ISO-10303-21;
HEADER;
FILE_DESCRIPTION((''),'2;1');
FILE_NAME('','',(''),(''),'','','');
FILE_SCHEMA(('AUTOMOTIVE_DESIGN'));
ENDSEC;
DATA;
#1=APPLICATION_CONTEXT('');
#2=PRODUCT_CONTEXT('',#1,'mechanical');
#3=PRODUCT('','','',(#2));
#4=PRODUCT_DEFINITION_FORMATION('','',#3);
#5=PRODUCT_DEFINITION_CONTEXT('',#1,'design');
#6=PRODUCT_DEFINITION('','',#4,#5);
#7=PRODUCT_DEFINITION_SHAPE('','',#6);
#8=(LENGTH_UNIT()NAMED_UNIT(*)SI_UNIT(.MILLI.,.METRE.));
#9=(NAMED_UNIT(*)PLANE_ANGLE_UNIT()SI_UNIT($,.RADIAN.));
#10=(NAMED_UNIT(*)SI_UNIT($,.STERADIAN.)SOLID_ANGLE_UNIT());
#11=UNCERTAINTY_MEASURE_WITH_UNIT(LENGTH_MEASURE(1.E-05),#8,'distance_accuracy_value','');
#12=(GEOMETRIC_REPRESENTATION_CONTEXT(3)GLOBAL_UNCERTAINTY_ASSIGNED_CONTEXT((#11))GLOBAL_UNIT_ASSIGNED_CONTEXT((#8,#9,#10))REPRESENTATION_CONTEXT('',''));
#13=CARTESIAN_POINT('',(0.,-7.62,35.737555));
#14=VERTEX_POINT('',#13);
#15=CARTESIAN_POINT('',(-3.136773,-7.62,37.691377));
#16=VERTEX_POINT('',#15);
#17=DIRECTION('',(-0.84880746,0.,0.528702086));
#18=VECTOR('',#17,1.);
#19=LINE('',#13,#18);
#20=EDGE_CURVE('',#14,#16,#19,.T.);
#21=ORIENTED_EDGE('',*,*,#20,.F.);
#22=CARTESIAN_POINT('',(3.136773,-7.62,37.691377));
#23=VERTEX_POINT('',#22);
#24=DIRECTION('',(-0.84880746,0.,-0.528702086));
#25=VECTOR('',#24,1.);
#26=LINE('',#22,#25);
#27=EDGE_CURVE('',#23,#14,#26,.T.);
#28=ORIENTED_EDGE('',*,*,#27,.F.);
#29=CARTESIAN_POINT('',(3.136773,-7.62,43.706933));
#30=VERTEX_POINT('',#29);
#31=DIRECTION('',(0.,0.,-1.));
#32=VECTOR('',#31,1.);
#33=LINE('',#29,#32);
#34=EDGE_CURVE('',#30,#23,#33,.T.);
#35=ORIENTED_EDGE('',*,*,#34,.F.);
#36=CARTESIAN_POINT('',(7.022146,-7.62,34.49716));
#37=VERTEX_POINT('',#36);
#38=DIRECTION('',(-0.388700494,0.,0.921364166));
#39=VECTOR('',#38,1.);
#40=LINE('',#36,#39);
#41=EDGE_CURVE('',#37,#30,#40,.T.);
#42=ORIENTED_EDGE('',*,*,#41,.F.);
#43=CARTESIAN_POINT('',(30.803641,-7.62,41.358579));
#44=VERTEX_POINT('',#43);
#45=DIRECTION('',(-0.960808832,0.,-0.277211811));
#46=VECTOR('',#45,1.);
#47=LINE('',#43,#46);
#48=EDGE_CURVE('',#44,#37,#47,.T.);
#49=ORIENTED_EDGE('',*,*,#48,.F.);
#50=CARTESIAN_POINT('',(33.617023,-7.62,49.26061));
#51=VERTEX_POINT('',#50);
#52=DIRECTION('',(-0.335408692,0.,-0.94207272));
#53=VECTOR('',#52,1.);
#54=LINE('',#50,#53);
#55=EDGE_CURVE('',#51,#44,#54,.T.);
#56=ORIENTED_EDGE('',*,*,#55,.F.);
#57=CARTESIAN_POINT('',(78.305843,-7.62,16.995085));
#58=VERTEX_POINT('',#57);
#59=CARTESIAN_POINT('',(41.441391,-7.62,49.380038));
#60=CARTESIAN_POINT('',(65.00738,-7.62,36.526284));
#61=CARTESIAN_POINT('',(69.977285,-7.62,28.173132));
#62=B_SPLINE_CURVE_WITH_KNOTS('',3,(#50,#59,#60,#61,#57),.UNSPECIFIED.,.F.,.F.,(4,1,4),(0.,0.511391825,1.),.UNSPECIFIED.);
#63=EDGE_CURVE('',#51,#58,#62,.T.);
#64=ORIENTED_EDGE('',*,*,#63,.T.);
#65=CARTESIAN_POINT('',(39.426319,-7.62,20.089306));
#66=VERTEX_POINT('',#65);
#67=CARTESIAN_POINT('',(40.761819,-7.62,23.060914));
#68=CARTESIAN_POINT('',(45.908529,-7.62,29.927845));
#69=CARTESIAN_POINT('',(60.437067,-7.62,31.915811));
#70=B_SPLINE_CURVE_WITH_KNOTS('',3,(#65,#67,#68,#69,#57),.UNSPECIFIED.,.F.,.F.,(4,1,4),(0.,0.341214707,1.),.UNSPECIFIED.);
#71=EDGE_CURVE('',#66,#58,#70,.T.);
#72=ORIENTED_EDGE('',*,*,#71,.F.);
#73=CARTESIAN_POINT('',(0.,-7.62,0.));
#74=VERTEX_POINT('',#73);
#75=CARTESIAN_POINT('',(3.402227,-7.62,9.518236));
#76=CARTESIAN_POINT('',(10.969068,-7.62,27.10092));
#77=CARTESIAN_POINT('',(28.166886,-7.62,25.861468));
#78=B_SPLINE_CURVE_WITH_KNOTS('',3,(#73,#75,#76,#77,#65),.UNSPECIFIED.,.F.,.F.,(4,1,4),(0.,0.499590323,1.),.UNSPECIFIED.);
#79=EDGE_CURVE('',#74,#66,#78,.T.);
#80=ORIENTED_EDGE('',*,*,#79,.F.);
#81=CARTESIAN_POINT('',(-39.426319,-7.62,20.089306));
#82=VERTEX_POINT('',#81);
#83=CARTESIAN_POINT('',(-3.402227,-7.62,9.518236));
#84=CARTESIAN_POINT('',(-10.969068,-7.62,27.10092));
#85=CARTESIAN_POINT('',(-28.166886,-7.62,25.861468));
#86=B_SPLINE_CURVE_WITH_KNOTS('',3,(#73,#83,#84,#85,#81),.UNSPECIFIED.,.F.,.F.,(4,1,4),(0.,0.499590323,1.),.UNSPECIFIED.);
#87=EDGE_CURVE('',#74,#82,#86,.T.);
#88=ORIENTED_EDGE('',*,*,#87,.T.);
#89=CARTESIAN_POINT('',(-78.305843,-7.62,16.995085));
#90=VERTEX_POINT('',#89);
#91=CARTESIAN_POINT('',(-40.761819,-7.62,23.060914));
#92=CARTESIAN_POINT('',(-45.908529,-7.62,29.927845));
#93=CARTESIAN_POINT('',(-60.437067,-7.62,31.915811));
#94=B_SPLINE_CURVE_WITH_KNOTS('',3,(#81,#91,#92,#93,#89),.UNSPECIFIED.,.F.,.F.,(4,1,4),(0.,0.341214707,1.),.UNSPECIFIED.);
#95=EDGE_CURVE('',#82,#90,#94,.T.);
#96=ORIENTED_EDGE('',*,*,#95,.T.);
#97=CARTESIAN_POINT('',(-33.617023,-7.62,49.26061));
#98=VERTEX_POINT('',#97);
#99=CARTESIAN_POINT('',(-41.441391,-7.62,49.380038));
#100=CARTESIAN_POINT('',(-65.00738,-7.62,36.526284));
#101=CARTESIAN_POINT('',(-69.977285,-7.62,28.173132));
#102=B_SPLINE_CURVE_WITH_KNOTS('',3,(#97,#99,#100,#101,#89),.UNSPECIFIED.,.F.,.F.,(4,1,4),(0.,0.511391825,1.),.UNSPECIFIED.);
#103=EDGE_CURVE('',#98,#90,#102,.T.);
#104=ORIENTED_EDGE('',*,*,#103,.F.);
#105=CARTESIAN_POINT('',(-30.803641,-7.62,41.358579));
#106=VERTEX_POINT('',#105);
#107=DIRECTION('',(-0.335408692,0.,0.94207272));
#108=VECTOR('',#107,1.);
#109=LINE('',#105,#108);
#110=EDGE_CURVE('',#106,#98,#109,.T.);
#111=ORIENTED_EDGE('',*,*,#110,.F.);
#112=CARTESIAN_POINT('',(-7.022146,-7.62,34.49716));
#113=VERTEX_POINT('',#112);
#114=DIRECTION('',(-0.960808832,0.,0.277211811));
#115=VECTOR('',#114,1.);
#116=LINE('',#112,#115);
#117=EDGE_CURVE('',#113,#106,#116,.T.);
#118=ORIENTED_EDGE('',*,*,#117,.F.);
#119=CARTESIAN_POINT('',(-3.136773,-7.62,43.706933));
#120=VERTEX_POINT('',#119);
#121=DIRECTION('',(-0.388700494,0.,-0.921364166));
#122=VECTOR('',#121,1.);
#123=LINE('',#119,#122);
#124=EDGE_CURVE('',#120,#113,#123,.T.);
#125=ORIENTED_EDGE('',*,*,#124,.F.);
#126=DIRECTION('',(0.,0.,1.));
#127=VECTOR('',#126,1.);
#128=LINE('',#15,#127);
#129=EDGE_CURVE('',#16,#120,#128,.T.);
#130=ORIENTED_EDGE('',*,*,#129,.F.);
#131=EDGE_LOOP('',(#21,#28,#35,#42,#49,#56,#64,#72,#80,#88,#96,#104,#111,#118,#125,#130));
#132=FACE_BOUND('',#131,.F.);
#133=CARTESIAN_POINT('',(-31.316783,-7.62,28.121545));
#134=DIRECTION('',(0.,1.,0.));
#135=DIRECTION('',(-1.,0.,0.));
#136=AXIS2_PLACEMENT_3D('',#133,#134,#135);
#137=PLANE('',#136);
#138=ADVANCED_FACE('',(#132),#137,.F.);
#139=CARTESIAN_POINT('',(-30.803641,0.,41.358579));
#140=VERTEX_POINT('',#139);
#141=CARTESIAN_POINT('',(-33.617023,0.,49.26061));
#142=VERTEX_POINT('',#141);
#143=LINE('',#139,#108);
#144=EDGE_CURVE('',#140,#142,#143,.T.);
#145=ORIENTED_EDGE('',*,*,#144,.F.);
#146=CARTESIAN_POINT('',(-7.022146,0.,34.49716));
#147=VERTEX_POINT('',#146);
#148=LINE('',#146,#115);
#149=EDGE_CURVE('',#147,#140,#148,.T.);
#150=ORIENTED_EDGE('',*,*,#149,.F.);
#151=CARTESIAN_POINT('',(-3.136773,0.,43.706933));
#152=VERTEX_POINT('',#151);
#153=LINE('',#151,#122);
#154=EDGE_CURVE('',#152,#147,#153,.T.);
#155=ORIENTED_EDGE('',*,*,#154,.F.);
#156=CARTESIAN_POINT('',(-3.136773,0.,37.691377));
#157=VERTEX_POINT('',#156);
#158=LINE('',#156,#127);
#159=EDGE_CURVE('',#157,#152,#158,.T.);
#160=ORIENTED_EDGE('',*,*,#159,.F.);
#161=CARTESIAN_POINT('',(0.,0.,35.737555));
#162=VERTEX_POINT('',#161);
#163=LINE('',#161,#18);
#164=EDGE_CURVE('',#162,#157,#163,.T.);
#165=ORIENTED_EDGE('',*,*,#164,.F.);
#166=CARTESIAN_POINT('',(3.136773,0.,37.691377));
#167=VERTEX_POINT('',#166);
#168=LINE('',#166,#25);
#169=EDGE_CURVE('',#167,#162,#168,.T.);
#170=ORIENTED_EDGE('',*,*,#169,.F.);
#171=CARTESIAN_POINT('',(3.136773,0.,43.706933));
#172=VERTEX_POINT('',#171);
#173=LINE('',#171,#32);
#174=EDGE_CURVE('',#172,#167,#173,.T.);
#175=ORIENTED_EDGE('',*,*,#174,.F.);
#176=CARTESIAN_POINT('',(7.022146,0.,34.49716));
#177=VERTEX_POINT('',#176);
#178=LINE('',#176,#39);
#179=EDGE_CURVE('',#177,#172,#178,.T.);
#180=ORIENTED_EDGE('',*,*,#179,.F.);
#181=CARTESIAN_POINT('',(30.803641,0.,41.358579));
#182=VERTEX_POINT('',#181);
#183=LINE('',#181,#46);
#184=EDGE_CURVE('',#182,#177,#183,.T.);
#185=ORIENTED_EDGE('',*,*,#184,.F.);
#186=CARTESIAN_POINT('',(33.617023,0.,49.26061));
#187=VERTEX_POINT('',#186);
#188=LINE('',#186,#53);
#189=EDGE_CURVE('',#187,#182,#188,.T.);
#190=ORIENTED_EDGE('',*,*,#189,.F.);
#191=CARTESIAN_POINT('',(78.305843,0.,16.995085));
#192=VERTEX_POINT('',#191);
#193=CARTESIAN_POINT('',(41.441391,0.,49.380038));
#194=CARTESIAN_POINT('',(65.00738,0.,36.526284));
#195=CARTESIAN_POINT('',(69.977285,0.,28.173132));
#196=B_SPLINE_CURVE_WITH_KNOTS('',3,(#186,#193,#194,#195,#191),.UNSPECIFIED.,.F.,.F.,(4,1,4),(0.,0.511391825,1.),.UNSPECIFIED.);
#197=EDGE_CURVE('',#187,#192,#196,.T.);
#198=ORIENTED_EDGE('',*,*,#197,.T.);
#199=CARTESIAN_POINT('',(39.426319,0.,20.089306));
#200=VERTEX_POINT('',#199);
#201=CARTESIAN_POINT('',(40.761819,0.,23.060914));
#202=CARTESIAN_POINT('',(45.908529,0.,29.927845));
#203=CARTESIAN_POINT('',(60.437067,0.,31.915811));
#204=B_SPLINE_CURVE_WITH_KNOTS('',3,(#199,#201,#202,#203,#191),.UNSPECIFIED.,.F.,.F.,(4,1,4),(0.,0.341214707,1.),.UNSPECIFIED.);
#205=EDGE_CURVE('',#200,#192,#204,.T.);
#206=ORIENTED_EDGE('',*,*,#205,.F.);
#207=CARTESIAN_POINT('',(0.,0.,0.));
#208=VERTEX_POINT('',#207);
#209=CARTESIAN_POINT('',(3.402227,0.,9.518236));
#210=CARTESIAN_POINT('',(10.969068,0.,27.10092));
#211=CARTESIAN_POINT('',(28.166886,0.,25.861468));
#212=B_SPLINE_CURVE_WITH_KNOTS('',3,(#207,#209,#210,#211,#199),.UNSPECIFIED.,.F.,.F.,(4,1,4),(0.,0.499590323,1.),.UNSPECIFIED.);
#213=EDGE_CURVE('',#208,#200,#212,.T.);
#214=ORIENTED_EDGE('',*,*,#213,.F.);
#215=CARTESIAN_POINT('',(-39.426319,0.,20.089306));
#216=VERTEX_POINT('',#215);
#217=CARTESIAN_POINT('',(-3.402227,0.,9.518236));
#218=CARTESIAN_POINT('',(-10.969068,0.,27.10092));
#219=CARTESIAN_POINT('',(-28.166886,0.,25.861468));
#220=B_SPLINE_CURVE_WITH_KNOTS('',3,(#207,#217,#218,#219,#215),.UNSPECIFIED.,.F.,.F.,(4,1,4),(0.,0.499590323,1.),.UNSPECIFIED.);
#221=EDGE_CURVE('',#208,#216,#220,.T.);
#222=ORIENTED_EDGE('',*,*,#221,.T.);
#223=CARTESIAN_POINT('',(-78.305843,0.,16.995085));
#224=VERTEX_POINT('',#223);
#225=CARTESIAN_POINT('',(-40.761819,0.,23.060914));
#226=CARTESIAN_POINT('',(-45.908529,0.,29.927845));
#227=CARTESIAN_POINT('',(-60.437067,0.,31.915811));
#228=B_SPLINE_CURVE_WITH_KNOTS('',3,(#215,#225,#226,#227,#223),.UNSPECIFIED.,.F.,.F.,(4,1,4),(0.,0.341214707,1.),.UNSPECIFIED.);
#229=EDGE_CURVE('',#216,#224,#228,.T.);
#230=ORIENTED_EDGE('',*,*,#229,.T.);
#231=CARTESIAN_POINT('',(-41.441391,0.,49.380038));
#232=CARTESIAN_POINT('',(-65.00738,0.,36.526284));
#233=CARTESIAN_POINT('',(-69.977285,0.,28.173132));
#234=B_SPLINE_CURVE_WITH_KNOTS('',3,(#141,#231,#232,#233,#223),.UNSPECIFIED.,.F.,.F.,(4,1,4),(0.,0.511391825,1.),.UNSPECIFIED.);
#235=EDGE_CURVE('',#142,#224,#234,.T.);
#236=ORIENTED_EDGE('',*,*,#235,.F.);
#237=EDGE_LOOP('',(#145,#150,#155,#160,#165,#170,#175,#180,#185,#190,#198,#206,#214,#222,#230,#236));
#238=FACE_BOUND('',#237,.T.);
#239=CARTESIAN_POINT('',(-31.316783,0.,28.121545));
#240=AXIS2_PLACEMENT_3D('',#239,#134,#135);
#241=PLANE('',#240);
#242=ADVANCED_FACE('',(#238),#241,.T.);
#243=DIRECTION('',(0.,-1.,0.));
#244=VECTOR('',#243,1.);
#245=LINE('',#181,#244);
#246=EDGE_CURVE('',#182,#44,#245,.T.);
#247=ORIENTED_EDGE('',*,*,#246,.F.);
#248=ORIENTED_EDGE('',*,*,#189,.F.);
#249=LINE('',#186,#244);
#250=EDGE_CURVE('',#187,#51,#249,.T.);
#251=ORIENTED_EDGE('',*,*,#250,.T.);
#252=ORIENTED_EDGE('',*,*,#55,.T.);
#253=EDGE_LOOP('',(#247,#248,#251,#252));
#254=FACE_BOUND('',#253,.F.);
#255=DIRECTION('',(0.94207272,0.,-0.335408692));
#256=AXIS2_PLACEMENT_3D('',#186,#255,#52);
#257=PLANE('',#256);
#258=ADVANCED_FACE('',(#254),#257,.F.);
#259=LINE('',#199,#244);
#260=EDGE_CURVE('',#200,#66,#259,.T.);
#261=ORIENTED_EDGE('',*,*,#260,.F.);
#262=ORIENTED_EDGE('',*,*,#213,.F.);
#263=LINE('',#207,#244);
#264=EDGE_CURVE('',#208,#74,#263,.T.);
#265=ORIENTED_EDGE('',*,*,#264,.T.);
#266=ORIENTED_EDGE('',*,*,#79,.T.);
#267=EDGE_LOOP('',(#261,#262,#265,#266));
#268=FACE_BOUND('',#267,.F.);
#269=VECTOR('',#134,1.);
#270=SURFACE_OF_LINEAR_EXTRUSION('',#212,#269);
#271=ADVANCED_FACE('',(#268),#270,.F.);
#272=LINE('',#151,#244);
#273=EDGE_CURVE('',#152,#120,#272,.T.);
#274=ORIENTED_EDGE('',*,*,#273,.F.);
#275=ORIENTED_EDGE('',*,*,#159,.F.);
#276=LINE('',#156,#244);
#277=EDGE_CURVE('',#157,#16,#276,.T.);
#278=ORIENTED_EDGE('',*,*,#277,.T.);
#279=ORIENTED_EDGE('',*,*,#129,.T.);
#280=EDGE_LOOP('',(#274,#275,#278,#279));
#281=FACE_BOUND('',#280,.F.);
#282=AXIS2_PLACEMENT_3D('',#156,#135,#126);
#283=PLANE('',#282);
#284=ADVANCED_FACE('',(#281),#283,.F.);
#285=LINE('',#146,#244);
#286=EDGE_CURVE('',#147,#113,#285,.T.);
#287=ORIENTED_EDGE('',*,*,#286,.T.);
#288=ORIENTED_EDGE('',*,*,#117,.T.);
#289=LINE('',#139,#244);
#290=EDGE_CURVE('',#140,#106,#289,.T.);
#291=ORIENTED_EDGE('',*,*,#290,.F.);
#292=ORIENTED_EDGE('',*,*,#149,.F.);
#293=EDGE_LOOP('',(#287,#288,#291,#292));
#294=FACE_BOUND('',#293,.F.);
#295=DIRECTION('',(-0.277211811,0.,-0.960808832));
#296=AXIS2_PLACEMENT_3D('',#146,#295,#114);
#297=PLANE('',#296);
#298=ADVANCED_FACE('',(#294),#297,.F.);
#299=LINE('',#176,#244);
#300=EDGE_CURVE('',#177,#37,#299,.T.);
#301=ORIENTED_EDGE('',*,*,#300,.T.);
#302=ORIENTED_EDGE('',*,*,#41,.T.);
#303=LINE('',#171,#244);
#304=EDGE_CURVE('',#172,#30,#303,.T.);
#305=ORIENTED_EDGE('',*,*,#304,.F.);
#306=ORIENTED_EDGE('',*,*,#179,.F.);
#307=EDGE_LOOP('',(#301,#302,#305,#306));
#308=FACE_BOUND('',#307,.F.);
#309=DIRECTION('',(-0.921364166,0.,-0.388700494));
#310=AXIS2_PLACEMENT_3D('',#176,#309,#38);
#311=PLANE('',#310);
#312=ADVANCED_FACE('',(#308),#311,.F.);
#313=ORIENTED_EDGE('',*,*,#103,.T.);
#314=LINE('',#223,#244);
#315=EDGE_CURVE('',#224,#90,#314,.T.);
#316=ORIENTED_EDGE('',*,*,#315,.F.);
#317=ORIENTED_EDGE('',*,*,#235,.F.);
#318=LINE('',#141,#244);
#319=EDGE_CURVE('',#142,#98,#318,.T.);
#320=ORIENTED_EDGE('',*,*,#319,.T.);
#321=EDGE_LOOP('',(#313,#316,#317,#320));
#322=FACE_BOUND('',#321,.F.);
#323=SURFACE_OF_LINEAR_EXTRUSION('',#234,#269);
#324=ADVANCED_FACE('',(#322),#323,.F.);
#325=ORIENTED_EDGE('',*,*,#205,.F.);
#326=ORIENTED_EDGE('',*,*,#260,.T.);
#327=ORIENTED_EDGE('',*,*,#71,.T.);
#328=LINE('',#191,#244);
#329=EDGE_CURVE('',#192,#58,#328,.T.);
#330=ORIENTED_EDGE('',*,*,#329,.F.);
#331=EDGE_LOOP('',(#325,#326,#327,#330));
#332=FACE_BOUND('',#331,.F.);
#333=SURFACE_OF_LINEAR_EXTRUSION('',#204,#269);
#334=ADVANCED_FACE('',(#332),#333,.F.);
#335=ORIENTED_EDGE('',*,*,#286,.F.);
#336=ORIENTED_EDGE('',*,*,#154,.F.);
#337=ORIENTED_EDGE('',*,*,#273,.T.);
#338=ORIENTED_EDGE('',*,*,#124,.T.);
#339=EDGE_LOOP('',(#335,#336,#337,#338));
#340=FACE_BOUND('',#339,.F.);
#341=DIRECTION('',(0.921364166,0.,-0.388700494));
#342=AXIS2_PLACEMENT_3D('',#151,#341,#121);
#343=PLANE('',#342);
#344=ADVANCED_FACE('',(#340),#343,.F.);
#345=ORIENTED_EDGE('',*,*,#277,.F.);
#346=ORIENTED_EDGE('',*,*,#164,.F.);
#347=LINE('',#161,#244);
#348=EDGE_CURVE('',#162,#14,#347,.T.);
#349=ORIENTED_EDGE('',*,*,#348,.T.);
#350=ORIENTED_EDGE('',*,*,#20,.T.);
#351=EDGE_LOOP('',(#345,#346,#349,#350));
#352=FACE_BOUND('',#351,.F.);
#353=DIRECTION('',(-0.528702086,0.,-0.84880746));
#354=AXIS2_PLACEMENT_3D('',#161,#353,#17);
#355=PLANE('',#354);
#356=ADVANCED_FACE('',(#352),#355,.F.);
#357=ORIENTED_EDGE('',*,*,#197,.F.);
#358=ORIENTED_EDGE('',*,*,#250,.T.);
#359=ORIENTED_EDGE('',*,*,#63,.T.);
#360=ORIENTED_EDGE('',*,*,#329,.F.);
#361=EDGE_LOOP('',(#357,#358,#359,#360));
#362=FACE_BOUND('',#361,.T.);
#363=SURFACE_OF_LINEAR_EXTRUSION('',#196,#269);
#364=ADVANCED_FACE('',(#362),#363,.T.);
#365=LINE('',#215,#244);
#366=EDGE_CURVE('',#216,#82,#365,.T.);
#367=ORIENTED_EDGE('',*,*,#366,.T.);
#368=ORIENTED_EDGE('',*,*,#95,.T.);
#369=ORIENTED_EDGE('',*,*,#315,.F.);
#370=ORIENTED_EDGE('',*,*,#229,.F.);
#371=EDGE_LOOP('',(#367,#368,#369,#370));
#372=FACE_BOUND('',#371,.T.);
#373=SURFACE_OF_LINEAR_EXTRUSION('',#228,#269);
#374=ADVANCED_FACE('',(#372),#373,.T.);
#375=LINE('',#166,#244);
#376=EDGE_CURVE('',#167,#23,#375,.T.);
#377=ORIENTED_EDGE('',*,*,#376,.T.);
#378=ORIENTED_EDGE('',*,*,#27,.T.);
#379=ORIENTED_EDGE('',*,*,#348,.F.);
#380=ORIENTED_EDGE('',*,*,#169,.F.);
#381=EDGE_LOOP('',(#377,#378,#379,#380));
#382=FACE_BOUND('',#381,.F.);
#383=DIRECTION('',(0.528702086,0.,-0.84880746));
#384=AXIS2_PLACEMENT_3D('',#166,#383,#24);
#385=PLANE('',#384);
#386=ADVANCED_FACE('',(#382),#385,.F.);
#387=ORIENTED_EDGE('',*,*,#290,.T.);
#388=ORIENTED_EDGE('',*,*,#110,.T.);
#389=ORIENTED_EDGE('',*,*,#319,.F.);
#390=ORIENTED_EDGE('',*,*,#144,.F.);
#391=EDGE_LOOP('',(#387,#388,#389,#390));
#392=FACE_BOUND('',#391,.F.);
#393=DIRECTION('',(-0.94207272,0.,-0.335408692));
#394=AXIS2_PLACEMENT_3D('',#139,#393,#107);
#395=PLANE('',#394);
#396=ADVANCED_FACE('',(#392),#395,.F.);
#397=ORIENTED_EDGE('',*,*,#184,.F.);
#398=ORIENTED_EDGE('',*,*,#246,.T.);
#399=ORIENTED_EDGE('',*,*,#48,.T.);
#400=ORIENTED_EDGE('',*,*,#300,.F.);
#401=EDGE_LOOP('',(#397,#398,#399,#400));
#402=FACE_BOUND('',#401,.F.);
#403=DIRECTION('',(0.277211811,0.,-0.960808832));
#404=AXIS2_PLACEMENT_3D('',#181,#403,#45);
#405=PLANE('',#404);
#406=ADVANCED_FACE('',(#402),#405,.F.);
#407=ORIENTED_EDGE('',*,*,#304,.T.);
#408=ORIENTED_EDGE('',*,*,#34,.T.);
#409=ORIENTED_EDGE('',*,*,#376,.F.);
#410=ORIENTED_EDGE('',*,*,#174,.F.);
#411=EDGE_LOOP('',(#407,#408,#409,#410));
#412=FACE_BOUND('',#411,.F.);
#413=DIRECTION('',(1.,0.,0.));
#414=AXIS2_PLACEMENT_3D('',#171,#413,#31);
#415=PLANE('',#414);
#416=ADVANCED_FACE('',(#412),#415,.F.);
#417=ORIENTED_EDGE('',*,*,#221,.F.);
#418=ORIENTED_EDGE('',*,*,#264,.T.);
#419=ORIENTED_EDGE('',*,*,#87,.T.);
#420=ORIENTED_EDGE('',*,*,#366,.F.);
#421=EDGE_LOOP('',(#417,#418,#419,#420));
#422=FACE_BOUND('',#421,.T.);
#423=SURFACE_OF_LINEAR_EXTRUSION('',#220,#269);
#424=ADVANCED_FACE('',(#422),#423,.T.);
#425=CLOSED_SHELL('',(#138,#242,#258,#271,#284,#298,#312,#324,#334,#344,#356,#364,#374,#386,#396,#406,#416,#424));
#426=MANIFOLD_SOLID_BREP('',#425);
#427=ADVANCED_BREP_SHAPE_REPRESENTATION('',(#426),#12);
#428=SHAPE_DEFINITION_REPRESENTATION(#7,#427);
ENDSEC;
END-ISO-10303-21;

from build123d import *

# Parameters (mm, degrees)
F1_DEPTH = 7.62


with BuildPart() as f1:
    # F0 (on Front) → F1 (new body)
    with BuildSketch(Plane.XZ):
        with BuildLine():
            add(Edge.make_bspline(
                [(0, 0), (-3.4022271567, 9.5182356749), (-10.9690679678, 27.1009200022), (-28.1668864191, 25.8614681661), (-39.4263193011, 20.0893059373)],
                knots=[0, 0, 0, 0, 0.4995903231, 1, 1, 1, 1], degree=3))
            Line((0, 0), (0, 35.737555474))
            Line((0, 35.737555474), (-3.1367728952, 37.6913771033))
            Line((-3.1367728952, 37.6913771033), (-3.1367728952, 43.706933278))
            Line((-3.1367728952, 43.706933278), (-7.0221456699, 34.4971604645))
            Line((-7.0221456699, 34.4971604645), (-30.8036413044, 41.3585789502))
            Line((-30.8036413044, 41.3585789502), (-33.6170228571, 49.2606103394))
            add(Edge.make_bspline(
                [(-33.6170228571, 49.2606103394), (-41.4413912857, 49.3800380531), (-65.007380458, 36.5262842704), (-69.9772851484, 28.1731315931), (-78.3058434332, 16.9950854039)],
                knots=[0, 0, 0, 0, 0.5113918248, 1, 1, 1, 1], degree=3))
            add(Edge.make_bspline(
                [(-39.4263193011, 20.0893059373), (-40.7618194231, 23.0609141249), (-45.9085285726, 29.9278450611), (-60.4370668622, 31.9158113047), (-78.3058434332, 16.9950854039)],
                knots=[0, 0, 0, 0, 0.3412147066, 1, 1, 1, 1], degree=3))
        make_face()
        with BuildLine():
            Line((0, 35.737555474), (0, 0))
            add(Edge.make_bspline(
                [(0, 0), (3.4022271567, 9.5182356749), (10.9690679678, 27.1009200022), (28.1668864191, 25.8614681661), (39.4263193011, 20.0893059373)],
                knots=[0, 0, 0, 0, 0.4995903231, 1, 1, 1, 1], degree=3))
            add(Edge.make_bspline(
                [(39.4263193011, 20.0893059373), (40.7618194231, 23.0609141249), (45.9085285726, 29.9278450611), (60.4370668622, 31.9158113047), (78.3058434332, 16.9950854039)],
                knots=[0, 0, 0, 0, 0.3412147066, 1, 1, 1, 1], degree=3))
            add(Edge.make_bspline(
                [(33.6170228571, 49.2606103394), (41.4413912857, 49.3800380531), (65.007380458, 36.5262842704), (69.9772851484, 28.1731315931), (78.3058434332, 16.9950854039)],
                knots=[0, 0, 0, 0, 0.5113918248, 1, 1, 1, 1], degree=3))
            Line((33.6170228571, 49.2606103394), (30.8036413044, 41.3585789502))
            Line((30.8036413044, 41.3585789502), (7.0221456699, 34.4971604645))
            Line((7.0221456699, 34.4971604645), (3.1367728952, 43.706933278))
            Line((3.1367728952, 43.706933278), (3.1367728952, 37.6913771033))
            Line((3.1367728952, 37.6913771033), (0, 35.737555474))
        make_face()
    extrude(amount=F1_DEPTH)


solid = f1.part
